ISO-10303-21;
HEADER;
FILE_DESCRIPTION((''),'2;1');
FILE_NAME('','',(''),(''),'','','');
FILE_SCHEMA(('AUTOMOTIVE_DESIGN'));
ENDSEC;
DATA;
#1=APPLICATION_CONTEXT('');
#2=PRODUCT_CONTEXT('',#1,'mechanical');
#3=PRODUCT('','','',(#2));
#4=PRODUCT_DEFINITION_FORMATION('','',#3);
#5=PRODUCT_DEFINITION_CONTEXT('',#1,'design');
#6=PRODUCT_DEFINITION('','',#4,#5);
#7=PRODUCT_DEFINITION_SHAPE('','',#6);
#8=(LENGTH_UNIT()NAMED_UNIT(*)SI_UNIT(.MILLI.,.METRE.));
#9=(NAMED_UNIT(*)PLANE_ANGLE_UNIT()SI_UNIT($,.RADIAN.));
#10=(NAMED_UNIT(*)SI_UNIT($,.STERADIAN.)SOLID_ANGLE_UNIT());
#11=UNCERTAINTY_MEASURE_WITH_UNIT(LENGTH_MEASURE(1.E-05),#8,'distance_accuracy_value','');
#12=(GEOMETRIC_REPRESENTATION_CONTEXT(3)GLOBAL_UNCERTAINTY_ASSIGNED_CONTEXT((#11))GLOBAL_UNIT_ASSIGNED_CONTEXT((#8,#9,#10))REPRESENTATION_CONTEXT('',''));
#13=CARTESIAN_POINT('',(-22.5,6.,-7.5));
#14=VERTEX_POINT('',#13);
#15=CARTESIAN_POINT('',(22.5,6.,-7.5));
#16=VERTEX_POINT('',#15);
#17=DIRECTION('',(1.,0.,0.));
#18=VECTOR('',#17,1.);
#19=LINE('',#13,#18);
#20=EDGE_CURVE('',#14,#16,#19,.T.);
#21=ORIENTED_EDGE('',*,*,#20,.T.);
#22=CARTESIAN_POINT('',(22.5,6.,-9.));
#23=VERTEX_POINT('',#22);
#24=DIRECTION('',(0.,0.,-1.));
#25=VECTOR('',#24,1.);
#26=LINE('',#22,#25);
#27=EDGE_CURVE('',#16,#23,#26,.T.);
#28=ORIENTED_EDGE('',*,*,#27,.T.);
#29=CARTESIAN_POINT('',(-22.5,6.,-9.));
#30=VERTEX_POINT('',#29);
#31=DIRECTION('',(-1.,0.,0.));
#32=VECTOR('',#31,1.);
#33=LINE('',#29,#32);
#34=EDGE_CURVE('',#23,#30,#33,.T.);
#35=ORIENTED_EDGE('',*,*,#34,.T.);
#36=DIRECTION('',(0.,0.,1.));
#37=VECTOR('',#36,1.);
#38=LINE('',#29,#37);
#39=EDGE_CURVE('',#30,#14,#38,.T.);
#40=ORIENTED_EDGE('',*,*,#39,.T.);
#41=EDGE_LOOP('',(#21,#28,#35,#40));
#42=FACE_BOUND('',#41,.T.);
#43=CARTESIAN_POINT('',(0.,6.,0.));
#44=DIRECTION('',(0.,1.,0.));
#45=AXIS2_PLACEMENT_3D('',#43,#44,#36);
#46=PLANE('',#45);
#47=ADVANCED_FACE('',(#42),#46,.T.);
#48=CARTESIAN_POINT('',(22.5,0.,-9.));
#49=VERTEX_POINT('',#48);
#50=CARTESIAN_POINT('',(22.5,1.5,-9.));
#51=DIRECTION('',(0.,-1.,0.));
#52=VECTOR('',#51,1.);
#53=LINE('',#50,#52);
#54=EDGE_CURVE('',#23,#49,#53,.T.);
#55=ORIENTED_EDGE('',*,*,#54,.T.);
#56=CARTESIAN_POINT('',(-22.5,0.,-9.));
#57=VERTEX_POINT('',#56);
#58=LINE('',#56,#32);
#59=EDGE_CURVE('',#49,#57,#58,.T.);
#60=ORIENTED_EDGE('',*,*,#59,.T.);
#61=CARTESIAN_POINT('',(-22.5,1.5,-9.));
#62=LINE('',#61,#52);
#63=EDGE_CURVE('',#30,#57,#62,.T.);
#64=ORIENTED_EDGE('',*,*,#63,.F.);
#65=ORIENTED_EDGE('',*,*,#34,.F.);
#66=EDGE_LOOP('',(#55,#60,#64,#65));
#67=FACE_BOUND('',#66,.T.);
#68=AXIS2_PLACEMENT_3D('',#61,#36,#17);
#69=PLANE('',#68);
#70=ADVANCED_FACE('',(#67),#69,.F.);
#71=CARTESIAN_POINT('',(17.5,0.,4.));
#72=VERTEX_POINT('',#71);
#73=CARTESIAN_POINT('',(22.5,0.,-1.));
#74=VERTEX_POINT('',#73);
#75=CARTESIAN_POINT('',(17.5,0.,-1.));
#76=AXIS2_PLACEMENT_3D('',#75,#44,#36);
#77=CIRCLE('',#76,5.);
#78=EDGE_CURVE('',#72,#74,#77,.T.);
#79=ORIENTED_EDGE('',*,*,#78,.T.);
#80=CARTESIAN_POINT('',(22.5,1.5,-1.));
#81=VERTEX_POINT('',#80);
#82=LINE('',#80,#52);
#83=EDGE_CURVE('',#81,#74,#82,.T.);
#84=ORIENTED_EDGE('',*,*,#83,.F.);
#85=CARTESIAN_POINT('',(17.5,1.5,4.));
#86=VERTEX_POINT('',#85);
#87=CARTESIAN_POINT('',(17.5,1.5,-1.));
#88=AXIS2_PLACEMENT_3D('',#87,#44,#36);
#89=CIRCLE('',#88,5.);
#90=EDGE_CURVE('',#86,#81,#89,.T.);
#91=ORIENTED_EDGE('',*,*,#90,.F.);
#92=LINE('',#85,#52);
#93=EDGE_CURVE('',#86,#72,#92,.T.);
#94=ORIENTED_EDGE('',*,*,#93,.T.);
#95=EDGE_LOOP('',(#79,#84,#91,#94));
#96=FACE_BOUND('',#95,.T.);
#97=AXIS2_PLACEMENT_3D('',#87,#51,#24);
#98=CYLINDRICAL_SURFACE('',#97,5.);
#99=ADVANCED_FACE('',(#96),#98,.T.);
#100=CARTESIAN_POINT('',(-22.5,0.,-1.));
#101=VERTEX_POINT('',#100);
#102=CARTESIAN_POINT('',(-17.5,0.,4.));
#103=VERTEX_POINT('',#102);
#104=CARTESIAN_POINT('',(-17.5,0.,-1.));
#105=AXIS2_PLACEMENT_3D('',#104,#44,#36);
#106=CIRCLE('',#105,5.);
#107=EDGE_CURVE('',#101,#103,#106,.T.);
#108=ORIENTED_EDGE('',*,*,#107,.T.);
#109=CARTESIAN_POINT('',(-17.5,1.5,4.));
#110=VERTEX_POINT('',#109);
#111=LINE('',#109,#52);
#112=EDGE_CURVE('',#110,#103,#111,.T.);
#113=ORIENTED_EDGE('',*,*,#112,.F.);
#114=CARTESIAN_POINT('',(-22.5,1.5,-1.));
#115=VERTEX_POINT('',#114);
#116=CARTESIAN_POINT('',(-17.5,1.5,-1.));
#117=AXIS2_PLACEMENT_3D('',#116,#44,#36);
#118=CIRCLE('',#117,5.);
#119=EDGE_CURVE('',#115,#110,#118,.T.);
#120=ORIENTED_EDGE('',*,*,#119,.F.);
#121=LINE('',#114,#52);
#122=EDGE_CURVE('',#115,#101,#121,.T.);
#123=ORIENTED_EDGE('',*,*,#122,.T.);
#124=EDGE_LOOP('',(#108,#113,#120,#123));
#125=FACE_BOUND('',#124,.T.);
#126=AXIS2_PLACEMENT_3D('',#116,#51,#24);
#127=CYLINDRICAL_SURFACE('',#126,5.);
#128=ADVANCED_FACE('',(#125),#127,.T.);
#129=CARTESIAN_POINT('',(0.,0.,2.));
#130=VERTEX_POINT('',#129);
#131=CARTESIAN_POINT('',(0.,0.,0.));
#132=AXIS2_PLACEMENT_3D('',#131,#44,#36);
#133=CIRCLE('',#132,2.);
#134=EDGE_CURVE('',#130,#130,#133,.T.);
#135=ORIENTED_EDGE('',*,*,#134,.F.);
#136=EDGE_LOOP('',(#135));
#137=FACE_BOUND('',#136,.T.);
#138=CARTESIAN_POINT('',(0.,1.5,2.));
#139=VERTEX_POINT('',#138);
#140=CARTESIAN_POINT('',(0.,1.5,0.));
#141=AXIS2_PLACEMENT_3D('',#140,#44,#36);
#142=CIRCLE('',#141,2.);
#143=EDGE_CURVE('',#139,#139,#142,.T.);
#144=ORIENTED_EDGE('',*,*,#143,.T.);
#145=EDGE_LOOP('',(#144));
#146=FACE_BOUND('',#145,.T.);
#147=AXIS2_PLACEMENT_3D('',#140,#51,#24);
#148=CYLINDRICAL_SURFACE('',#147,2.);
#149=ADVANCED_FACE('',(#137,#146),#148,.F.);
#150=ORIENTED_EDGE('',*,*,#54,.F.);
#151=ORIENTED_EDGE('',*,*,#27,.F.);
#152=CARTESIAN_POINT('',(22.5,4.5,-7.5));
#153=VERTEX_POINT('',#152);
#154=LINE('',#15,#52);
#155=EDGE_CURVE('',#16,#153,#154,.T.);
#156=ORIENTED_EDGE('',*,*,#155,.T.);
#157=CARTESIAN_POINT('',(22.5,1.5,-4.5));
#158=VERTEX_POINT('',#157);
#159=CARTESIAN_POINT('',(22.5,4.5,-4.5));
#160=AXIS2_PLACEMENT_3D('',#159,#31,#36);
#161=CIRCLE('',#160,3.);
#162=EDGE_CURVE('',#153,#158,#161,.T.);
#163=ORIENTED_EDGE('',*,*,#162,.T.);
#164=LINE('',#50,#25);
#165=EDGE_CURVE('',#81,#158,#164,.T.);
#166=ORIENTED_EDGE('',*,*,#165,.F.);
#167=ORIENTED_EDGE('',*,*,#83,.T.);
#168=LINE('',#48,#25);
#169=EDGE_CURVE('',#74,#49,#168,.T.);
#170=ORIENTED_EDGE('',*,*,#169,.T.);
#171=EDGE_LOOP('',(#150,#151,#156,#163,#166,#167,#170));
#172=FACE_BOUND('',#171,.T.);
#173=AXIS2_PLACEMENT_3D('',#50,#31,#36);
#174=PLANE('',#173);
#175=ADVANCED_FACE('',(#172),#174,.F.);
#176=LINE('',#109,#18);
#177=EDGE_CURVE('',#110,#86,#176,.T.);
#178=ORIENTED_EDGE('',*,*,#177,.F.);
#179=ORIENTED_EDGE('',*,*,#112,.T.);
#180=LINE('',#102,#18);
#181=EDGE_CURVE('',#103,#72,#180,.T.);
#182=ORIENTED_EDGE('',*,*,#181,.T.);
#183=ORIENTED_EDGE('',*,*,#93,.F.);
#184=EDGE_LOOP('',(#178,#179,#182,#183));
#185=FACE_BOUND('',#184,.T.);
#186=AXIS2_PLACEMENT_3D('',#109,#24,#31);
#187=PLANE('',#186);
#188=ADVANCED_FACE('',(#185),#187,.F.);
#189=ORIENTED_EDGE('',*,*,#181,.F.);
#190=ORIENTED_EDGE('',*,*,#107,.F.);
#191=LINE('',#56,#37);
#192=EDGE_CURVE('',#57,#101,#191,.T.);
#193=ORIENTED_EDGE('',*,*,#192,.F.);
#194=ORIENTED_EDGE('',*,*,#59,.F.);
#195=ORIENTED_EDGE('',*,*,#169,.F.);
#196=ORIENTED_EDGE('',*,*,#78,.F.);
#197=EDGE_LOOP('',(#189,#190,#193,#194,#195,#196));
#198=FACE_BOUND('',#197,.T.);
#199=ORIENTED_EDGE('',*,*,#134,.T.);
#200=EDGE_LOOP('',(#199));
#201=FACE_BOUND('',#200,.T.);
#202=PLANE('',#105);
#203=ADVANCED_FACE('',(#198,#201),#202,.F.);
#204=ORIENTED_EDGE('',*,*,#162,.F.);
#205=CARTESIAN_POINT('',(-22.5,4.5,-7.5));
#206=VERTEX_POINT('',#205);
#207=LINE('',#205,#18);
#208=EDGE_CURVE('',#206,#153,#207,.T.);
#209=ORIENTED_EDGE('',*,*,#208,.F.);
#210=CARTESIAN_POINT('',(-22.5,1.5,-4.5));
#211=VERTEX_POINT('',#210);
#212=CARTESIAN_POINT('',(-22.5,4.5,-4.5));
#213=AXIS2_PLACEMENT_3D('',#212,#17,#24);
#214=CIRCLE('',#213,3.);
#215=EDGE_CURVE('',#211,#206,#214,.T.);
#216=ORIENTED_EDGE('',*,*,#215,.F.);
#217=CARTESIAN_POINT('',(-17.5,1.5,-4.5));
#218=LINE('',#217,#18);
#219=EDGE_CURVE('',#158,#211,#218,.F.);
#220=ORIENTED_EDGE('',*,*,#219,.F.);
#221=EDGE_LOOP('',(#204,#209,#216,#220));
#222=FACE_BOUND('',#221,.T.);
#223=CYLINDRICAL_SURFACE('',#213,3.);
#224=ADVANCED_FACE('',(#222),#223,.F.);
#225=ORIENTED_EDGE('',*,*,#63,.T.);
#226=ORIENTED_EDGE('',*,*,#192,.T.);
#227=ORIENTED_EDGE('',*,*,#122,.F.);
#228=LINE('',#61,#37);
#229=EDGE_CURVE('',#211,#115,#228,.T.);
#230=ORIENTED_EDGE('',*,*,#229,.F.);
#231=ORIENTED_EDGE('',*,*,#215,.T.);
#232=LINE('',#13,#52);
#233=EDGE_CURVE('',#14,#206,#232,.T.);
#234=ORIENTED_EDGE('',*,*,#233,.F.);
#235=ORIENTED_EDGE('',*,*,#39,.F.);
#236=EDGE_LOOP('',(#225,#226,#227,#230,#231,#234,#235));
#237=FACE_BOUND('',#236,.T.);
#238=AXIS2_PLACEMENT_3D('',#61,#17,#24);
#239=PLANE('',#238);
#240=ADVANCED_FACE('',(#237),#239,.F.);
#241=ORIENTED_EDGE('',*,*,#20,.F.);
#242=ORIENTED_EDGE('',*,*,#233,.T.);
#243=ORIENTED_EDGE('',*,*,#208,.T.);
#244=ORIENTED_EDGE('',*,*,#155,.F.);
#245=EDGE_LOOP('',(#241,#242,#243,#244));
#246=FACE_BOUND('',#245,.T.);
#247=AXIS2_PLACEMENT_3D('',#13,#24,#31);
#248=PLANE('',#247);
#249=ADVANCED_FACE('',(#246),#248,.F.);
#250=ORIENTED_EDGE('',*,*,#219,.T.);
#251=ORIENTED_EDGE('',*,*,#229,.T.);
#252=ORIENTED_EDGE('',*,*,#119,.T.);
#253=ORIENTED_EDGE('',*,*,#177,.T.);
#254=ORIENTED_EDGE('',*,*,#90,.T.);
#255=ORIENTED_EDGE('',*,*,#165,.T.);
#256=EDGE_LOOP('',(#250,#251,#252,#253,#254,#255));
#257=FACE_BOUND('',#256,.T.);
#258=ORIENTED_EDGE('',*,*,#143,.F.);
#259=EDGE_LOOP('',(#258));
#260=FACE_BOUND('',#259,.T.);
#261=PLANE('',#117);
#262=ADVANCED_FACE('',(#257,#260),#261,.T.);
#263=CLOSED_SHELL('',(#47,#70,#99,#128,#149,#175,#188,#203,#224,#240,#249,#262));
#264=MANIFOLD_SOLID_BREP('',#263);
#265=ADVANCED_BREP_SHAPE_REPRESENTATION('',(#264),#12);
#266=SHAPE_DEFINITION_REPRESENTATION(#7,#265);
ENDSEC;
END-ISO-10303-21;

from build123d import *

# Parameters (mm, degrees)
SKETCH1_R           = 2
BOSS_EXTRUDE1_DEPTH = 1.5
SKETCH2_W           = 45
SKETCH2_H           = 1.5
BOSS_EXTRUDE2_DEPTH = 4.5
FILLET1_R           = 3


with BuildPart() as part:
    # Sketch1 → Boss-Extrude1 (new body)
    with BuildSketch(Plane(origin=(0, 0, 0), x_dir=(1, 0, 0), z_dir=(0, 1, 0))):
        with BuildLine():
            Line((-22.5, 9), (22.5, 9))
            Line((22.5, 9), (22.5, 1))
            ThreePointArc((22.5, 1), (21.035533906, -2.535533906), (17.5, -4))
            Line((17.5, -4), (-17.5, -4))
            ThreePointArc((-17.5, -4), (-21.035533906, -2.535533906), (-22.5, 1))
            Line((-22.5, 1), (-22.5, 9))
        make_face()
        with Locations(Location((0, 0, 0), (0, 0, 270))):
            Circle(SKETCH1_R, mode=Mode.SUBTRACT)
    extrude(amount=BOSS_EXTRUDE1_DEPTH)

    # Sketch2 → Boss-Extrude2 (add)
    with BuildSketch(Plane(origin=(0, 1.5, 0), x_dir=(1, 0, 0), z_dir=(0, 1, 0))):
        with Locations((0, 8.25)):
            Rectangle(SKETCH2_W, SKETCH2_H)
    extrude(amount=BOSS_EXTRUDE2_DEPTH)

    # Fillet1
    fillet1_edges = [part.edges().sort_by_distance(p)[0] for p in [
        (0, 1.5, -7.5),
    ]]
    fillet(fillet1_edges, radius=FILLET1_R)


solid = part.part
